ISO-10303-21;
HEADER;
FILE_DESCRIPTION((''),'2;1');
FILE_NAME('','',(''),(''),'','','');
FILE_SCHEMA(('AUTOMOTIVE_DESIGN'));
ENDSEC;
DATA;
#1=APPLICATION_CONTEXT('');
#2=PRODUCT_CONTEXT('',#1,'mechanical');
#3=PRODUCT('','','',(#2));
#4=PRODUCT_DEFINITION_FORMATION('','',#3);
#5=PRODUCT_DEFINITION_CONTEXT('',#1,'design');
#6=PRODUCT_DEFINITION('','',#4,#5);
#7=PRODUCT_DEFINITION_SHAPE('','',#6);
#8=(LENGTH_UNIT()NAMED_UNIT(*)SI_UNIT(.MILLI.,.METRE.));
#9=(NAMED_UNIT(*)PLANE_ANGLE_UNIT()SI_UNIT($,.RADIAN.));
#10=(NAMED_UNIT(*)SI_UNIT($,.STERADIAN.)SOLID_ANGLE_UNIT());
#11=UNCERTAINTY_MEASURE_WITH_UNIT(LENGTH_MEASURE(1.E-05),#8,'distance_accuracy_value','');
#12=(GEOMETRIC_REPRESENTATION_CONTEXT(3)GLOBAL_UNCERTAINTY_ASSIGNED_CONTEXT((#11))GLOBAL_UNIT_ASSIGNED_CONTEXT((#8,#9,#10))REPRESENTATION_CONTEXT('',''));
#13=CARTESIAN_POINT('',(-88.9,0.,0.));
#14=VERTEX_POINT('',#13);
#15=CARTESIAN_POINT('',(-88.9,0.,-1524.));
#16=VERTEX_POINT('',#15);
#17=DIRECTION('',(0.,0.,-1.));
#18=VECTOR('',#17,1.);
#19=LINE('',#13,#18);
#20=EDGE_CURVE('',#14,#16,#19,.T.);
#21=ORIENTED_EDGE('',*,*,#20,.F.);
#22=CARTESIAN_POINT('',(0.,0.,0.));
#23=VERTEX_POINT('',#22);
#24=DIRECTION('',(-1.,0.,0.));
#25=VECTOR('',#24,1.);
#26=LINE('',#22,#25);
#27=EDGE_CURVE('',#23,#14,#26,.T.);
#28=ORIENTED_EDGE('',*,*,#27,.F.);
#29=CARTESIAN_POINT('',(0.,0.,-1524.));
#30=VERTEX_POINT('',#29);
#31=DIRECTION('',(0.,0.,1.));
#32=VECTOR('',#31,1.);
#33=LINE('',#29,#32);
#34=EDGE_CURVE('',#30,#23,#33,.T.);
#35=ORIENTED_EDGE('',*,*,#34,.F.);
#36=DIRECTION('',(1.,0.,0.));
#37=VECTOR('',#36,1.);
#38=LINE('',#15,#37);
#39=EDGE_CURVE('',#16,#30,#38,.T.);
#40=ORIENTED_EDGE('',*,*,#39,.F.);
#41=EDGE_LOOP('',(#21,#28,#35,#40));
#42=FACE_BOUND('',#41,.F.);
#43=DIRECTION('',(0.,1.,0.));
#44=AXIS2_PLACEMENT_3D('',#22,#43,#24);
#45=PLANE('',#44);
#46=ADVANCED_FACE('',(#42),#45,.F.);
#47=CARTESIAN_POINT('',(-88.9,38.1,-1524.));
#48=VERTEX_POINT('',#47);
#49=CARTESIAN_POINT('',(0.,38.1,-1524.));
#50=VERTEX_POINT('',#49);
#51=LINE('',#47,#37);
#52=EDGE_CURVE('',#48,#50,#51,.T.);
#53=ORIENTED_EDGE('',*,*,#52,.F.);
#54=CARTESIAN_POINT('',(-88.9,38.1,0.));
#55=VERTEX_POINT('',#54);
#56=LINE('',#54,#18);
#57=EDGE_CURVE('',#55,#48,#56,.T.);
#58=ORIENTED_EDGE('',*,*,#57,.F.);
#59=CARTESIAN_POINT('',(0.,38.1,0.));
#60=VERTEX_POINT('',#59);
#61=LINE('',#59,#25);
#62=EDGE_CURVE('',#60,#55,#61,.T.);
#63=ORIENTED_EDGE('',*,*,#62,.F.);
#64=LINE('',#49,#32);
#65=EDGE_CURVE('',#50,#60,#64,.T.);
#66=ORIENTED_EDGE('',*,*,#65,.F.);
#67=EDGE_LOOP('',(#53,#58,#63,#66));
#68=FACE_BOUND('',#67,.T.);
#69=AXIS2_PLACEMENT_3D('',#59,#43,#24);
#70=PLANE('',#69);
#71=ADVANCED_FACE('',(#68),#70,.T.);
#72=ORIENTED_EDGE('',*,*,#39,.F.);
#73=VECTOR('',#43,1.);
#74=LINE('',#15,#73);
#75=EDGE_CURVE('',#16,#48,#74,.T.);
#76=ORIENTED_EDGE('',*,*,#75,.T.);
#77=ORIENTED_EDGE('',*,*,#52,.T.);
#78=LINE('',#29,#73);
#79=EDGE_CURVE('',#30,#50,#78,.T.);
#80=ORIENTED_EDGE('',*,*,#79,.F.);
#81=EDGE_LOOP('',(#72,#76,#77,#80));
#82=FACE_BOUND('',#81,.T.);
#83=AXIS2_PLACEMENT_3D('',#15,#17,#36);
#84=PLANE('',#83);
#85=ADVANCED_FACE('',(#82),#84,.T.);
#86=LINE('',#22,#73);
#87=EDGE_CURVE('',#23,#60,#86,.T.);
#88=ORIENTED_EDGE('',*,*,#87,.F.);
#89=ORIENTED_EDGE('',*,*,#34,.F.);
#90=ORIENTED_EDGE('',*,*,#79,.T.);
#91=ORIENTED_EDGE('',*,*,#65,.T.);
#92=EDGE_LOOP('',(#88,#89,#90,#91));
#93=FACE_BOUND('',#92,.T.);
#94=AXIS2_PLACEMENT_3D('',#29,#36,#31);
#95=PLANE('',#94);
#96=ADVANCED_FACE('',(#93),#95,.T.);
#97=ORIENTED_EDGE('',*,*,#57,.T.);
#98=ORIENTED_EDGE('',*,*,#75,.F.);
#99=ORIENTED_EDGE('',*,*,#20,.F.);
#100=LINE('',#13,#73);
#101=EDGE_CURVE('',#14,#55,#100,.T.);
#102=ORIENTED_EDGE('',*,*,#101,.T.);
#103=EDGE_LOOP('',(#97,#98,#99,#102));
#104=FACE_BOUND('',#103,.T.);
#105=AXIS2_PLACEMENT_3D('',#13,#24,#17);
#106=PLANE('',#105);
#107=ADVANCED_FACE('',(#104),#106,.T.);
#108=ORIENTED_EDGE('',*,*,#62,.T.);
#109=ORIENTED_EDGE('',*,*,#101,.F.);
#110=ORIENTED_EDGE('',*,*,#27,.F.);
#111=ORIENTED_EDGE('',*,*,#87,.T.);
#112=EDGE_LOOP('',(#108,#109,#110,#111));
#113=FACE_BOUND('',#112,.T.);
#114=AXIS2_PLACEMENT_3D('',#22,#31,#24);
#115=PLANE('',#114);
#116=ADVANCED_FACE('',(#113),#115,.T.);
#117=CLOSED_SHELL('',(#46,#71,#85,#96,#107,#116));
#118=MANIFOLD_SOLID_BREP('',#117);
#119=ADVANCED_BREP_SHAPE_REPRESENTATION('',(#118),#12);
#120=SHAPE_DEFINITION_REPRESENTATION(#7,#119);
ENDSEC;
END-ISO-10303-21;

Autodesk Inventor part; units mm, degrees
ref_plane "YZ Plane" through (0, 0, 0) normal (1, 0, 0) x (0, 1, 0)
ref_plane "XZ Plane" through (0, 0, 0) normal (0, 1, 0) x (-1, 0, 0)
ref_plane "XY Plane" through (0, 0, 0) normal (0, 0, 1) x (1, 0, 0)
sketch "Sketch1" plane through (0, 0, 0) normal (0, 1, 0) x (-1, 0, 0)
  line L0 (0, 0) -> (88.9, 0)
  line L1 (88.9, 0) -> (88.9, -1524)
  line L2 (88.9, -1524) -> (0, -1524)
  line L3 (0, -1524) -> (0, 0)
  dimension "d1" = 88.9
  dimension "d4" = 1524
extrude "Extrusion1" add sketch "Sketch1" along normal blind 38.1
properties part number "Plate_With_Length_60_Inches" material "Wood (Birch)"
